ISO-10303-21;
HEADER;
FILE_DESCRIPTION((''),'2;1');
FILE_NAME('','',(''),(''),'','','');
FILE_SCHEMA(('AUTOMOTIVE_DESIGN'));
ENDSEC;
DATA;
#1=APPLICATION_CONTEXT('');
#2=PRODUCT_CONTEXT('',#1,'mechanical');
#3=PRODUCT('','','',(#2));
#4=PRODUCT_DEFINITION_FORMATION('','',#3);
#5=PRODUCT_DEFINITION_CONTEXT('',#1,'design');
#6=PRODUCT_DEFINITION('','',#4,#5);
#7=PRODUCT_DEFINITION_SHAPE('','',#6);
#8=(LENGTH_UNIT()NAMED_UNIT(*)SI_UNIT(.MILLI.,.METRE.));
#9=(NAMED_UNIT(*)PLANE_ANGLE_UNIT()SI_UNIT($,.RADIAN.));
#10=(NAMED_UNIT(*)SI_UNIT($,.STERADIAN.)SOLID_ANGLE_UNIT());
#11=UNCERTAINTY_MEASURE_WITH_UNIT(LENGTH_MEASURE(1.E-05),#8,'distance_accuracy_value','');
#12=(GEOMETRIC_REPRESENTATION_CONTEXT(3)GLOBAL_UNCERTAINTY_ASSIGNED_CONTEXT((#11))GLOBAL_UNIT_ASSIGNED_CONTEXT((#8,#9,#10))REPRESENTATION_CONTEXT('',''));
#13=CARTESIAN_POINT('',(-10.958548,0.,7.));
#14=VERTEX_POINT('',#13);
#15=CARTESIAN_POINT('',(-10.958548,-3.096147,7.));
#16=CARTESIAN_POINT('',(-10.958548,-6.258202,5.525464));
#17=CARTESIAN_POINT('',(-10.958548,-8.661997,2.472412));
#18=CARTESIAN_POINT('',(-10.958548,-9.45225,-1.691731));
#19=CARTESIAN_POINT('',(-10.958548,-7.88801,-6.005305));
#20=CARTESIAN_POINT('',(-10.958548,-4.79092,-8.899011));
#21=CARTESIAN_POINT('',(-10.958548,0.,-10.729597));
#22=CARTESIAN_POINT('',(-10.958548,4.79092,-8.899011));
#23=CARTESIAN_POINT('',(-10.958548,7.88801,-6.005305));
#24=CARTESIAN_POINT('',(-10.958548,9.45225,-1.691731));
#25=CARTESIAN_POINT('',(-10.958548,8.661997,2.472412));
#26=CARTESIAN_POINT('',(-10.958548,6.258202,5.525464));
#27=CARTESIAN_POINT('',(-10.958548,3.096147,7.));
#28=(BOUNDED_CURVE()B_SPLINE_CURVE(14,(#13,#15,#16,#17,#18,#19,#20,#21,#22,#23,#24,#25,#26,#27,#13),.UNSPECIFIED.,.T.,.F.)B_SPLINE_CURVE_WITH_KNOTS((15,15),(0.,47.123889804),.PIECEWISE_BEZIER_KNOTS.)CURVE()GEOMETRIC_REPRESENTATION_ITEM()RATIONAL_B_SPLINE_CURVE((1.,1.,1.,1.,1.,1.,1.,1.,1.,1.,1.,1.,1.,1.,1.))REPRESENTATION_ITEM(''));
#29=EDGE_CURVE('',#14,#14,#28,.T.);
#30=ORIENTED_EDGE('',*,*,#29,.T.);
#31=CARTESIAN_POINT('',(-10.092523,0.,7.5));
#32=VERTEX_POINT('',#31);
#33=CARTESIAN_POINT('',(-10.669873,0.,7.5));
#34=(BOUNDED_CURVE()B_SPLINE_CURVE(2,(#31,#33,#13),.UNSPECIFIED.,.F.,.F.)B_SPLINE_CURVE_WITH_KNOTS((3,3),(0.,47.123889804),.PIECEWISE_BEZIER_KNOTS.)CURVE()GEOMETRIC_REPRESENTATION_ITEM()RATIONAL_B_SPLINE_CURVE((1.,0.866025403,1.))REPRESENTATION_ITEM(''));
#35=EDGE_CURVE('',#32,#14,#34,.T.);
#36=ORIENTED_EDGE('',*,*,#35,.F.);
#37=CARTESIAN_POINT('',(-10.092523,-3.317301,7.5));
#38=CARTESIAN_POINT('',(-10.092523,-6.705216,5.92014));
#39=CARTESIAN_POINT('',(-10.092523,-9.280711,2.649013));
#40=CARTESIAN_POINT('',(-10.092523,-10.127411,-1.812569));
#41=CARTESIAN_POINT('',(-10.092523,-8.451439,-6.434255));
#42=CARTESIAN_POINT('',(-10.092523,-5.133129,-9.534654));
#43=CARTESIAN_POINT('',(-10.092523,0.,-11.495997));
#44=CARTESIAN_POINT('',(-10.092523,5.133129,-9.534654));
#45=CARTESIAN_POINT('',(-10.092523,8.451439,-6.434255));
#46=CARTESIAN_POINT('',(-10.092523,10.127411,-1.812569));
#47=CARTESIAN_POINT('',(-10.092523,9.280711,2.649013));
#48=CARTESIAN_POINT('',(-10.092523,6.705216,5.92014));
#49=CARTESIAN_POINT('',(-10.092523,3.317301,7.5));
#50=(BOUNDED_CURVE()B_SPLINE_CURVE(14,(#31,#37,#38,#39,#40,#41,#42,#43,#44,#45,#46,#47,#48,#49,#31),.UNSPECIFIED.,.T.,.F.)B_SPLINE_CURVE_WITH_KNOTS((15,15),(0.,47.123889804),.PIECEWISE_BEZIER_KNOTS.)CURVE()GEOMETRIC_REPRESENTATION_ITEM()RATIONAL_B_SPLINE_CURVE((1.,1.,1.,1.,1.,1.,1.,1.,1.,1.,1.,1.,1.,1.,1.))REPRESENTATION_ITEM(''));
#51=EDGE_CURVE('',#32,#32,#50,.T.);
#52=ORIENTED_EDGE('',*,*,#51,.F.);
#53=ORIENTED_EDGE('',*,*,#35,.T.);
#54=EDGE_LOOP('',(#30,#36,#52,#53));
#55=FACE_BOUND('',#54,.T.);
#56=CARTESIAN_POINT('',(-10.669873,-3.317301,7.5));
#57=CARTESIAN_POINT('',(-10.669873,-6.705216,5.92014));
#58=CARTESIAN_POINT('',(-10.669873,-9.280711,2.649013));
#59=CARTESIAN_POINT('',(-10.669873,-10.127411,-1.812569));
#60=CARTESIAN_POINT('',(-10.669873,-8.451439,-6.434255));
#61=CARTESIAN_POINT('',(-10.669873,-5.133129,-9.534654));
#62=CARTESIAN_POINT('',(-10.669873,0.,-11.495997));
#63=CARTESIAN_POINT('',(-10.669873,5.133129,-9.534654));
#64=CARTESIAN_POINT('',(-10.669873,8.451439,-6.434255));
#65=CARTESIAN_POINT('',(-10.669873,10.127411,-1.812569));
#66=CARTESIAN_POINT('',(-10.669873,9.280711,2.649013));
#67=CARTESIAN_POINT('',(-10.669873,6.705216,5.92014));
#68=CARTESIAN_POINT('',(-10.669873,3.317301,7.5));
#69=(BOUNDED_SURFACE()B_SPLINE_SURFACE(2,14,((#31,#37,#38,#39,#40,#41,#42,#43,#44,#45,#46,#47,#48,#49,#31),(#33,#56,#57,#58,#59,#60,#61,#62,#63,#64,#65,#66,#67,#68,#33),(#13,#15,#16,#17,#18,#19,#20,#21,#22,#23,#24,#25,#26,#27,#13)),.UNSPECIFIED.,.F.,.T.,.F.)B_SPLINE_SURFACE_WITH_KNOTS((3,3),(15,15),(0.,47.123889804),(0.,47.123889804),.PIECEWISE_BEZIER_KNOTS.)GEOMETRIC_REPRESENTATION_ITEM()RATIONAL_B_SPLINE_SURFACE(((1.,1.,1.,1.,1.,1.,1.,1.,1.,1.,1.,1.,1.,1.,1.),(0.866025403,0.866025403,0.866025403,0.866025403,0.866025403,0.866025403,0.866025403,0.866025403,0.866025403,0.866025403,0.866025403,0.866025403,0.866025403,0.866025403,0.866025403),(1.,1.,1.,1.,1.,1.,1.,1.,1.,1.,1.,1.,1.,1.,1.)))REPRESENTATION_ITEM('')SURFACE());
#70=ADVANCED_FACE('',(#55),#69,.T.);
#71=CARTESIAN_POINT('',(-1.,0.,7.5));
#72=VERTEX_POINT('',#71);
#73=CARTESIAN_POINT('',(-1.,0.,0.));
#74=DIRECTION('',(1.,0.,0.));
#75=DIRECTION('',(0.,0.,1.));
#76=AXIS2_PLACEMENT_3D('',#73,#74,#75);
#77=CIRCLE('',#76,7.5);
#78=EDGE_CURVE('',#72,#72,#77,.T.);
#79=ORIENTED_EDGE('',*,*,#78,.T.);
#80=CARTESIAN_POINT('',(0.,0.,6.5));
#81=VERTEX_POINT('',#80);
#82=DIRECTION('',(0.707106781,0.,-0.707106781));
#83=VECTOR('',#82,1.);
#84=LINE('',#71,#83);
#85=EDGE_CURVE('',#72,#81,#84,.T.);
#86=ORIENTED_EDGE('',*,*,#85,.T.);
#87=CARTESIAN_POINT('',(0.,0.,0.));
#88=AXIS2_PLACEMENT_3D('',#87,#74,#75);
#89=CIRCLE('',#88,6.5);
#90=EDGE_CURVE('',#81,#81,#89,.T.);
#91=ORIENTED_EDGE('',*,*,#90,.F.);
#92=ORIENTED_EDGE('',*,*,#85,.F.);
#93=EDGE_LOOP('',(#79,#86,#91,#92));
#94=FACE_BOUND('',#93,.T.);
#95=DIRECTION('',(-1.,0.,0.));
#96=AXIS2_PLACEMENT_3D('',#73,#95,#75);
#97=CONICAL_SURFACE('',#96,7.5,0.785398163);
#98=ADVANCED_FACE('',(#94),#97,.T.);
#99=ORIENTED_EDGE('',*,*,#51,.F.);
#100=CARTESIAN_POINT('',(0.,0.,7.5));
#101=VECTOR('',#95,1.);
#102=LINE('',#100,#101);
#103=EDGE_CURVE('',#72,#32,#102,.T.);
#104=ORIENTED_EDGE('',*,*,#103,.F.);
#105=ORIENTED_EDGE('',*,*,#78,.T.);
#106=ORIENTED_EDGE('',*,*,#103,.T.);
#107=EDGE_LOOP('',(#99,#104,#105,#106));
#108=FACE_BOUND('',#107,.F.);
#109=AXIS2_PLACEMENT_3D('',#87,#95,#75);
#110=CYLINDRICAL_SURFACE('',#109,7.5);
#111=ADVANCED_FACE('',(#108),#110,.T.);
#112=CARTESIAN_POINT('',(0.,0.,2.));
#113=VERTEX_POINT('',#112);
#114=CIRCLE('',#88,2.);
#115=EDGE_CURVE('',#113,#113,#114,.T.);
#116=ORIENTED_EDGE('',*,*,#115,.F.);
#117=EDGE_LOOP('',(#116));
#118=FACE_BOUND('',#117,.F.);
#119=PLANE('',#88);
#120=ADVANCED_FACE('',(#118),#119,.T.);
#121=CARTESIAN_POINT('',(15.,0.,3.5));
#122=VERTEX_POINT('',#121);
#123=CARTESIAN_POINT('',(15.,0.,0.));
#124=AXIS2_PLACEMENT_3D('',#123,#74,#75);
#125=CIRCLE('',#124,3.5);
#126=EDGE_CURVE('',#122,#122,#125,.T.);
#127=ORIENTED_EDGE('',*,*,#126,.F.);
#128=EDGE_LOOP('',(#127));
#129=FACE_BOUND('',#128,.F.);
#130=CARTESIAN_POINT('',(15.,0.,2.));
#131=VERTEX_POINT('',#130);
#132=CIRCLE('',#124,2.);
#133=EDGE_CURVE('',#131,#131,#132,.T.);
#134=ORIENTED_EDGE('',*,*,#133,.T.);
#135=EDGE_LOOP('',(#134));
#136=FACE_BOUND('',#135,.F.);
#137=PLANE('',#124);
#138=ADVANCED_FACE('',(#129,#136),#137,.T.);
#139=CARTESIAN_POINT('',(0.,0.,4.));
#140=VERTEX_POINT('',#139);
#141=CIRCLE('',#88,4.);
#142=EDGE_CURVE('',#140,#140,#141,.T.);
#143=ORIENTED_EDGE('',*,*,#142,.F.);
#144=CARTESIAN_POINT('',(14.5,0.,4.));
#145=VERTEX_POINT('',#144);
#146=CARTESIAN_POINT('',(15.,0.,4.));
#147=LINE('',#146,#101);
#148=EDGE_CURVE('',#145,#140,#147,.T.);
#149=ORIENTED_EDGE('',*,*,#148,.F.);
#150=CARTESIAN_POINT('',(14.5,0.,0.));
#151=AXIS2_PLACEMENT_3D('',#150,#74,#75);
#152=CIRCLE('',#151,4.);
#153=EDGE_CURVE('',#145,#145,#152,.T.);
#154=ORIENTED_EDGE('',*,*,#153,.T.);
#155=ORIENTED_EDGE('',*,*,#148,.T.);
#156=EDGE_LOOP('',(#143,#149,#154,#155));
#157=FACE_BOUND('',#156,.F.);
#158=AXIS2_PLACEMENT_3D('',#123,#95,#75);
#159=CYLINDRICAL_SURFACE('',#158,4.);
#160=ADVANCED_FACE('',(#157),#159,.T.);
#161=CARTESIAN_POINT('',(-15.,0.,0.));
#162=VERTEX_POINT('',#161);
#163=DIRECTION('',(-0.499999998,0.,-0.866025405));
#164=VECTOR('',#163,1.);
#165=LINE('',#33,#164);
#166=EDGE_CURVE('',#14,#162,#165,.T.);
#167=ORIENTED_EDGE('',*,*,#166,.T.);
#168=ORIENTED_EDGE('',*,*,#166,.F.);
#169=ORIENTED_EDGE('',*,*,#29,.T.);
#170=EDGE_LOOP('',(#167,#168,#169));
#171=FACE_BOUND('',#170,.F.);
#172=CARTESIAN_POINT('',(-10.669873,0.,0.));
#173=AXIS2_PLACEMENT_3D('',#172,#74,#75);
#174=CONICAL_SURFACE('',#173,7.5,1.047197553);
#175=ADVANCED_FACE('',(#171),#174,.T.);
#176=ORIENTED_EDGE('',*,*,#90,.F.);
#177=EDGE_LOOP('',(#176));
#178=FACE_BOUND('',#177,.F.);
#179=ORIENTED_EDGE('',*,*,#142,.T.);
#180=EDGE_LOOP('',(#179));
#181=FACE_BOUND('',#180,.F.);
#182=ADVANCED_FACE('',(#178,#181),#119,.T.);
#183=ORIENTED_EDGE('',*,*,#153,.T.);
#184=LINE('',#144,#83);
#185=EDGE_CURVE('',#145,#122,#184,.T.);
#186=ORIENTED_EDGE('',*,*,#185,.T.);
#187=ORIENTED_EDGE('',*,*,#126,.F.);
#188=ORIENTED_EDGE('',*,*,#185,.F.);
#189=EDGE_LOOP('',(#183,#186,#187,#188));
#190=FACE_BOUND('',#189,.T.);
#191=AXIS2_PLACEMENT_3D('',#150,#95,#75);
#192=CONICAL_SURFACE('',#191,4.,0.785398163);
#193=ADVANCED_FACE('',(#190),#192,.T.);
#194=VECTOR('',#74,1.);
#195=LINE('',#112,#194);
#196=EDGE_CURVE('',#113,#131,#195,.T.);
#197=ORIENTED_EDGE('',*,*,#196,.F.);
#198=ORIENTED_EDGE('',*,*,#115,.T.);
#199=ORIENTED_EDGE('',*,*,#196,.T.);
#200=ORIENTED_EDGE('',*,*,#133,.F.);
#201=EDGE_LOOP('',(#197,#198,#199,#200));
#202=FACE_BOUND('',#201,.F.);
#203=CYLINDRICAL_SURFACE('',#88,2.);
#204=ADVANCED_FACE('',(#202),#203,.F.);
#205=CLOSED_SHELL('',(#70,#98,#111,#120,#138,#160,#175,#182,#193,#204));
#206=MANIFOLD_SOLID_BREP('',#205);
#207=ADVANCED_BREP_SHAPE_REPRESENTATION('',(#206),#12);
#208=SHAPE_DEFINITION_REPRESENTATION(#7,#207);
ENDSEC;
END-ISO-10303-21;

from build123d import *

# Parameters (mm, degrees)
F2_R    = 1
F3_SIZE = 1
F4_SIZE = 0.5


with BuildPart() as f1:
    # F0 (on Front) → F1 (revolve)
    with BuildSketch(Plane.XZ):
        Polygon((0, 7.5), (-10.669873, 7.5), (-15, 0), (0, 0), (0, 2), (15, 2), (15, 4), (0, 4), align=None)
    revolve(axis=Axis((-7.5, 0, 0), (1, 0, 0)))

    # F2
    f2_edges = [f1.edges().sort_by_distance(p)[0] for p in [
        (-10.669873, 0, -7.5),
    ]]
    fillet(f2_edges, radius=F2_R)

    # F3
    f3_edges = [f1.edges().sort_by_distance(p)[0] for p in [
        (0, 0, -7.5),
    ]]
    chamfer(f3_edges, length=F3_SIZE)

    # F4
    f4_edges = [f1.edges().sort_by_distance(p)[0] for p in [
        (15, 0, -4),
    ]]
    chamfer(f4_edges, length=F4_SIZE)


solid = f1.part
